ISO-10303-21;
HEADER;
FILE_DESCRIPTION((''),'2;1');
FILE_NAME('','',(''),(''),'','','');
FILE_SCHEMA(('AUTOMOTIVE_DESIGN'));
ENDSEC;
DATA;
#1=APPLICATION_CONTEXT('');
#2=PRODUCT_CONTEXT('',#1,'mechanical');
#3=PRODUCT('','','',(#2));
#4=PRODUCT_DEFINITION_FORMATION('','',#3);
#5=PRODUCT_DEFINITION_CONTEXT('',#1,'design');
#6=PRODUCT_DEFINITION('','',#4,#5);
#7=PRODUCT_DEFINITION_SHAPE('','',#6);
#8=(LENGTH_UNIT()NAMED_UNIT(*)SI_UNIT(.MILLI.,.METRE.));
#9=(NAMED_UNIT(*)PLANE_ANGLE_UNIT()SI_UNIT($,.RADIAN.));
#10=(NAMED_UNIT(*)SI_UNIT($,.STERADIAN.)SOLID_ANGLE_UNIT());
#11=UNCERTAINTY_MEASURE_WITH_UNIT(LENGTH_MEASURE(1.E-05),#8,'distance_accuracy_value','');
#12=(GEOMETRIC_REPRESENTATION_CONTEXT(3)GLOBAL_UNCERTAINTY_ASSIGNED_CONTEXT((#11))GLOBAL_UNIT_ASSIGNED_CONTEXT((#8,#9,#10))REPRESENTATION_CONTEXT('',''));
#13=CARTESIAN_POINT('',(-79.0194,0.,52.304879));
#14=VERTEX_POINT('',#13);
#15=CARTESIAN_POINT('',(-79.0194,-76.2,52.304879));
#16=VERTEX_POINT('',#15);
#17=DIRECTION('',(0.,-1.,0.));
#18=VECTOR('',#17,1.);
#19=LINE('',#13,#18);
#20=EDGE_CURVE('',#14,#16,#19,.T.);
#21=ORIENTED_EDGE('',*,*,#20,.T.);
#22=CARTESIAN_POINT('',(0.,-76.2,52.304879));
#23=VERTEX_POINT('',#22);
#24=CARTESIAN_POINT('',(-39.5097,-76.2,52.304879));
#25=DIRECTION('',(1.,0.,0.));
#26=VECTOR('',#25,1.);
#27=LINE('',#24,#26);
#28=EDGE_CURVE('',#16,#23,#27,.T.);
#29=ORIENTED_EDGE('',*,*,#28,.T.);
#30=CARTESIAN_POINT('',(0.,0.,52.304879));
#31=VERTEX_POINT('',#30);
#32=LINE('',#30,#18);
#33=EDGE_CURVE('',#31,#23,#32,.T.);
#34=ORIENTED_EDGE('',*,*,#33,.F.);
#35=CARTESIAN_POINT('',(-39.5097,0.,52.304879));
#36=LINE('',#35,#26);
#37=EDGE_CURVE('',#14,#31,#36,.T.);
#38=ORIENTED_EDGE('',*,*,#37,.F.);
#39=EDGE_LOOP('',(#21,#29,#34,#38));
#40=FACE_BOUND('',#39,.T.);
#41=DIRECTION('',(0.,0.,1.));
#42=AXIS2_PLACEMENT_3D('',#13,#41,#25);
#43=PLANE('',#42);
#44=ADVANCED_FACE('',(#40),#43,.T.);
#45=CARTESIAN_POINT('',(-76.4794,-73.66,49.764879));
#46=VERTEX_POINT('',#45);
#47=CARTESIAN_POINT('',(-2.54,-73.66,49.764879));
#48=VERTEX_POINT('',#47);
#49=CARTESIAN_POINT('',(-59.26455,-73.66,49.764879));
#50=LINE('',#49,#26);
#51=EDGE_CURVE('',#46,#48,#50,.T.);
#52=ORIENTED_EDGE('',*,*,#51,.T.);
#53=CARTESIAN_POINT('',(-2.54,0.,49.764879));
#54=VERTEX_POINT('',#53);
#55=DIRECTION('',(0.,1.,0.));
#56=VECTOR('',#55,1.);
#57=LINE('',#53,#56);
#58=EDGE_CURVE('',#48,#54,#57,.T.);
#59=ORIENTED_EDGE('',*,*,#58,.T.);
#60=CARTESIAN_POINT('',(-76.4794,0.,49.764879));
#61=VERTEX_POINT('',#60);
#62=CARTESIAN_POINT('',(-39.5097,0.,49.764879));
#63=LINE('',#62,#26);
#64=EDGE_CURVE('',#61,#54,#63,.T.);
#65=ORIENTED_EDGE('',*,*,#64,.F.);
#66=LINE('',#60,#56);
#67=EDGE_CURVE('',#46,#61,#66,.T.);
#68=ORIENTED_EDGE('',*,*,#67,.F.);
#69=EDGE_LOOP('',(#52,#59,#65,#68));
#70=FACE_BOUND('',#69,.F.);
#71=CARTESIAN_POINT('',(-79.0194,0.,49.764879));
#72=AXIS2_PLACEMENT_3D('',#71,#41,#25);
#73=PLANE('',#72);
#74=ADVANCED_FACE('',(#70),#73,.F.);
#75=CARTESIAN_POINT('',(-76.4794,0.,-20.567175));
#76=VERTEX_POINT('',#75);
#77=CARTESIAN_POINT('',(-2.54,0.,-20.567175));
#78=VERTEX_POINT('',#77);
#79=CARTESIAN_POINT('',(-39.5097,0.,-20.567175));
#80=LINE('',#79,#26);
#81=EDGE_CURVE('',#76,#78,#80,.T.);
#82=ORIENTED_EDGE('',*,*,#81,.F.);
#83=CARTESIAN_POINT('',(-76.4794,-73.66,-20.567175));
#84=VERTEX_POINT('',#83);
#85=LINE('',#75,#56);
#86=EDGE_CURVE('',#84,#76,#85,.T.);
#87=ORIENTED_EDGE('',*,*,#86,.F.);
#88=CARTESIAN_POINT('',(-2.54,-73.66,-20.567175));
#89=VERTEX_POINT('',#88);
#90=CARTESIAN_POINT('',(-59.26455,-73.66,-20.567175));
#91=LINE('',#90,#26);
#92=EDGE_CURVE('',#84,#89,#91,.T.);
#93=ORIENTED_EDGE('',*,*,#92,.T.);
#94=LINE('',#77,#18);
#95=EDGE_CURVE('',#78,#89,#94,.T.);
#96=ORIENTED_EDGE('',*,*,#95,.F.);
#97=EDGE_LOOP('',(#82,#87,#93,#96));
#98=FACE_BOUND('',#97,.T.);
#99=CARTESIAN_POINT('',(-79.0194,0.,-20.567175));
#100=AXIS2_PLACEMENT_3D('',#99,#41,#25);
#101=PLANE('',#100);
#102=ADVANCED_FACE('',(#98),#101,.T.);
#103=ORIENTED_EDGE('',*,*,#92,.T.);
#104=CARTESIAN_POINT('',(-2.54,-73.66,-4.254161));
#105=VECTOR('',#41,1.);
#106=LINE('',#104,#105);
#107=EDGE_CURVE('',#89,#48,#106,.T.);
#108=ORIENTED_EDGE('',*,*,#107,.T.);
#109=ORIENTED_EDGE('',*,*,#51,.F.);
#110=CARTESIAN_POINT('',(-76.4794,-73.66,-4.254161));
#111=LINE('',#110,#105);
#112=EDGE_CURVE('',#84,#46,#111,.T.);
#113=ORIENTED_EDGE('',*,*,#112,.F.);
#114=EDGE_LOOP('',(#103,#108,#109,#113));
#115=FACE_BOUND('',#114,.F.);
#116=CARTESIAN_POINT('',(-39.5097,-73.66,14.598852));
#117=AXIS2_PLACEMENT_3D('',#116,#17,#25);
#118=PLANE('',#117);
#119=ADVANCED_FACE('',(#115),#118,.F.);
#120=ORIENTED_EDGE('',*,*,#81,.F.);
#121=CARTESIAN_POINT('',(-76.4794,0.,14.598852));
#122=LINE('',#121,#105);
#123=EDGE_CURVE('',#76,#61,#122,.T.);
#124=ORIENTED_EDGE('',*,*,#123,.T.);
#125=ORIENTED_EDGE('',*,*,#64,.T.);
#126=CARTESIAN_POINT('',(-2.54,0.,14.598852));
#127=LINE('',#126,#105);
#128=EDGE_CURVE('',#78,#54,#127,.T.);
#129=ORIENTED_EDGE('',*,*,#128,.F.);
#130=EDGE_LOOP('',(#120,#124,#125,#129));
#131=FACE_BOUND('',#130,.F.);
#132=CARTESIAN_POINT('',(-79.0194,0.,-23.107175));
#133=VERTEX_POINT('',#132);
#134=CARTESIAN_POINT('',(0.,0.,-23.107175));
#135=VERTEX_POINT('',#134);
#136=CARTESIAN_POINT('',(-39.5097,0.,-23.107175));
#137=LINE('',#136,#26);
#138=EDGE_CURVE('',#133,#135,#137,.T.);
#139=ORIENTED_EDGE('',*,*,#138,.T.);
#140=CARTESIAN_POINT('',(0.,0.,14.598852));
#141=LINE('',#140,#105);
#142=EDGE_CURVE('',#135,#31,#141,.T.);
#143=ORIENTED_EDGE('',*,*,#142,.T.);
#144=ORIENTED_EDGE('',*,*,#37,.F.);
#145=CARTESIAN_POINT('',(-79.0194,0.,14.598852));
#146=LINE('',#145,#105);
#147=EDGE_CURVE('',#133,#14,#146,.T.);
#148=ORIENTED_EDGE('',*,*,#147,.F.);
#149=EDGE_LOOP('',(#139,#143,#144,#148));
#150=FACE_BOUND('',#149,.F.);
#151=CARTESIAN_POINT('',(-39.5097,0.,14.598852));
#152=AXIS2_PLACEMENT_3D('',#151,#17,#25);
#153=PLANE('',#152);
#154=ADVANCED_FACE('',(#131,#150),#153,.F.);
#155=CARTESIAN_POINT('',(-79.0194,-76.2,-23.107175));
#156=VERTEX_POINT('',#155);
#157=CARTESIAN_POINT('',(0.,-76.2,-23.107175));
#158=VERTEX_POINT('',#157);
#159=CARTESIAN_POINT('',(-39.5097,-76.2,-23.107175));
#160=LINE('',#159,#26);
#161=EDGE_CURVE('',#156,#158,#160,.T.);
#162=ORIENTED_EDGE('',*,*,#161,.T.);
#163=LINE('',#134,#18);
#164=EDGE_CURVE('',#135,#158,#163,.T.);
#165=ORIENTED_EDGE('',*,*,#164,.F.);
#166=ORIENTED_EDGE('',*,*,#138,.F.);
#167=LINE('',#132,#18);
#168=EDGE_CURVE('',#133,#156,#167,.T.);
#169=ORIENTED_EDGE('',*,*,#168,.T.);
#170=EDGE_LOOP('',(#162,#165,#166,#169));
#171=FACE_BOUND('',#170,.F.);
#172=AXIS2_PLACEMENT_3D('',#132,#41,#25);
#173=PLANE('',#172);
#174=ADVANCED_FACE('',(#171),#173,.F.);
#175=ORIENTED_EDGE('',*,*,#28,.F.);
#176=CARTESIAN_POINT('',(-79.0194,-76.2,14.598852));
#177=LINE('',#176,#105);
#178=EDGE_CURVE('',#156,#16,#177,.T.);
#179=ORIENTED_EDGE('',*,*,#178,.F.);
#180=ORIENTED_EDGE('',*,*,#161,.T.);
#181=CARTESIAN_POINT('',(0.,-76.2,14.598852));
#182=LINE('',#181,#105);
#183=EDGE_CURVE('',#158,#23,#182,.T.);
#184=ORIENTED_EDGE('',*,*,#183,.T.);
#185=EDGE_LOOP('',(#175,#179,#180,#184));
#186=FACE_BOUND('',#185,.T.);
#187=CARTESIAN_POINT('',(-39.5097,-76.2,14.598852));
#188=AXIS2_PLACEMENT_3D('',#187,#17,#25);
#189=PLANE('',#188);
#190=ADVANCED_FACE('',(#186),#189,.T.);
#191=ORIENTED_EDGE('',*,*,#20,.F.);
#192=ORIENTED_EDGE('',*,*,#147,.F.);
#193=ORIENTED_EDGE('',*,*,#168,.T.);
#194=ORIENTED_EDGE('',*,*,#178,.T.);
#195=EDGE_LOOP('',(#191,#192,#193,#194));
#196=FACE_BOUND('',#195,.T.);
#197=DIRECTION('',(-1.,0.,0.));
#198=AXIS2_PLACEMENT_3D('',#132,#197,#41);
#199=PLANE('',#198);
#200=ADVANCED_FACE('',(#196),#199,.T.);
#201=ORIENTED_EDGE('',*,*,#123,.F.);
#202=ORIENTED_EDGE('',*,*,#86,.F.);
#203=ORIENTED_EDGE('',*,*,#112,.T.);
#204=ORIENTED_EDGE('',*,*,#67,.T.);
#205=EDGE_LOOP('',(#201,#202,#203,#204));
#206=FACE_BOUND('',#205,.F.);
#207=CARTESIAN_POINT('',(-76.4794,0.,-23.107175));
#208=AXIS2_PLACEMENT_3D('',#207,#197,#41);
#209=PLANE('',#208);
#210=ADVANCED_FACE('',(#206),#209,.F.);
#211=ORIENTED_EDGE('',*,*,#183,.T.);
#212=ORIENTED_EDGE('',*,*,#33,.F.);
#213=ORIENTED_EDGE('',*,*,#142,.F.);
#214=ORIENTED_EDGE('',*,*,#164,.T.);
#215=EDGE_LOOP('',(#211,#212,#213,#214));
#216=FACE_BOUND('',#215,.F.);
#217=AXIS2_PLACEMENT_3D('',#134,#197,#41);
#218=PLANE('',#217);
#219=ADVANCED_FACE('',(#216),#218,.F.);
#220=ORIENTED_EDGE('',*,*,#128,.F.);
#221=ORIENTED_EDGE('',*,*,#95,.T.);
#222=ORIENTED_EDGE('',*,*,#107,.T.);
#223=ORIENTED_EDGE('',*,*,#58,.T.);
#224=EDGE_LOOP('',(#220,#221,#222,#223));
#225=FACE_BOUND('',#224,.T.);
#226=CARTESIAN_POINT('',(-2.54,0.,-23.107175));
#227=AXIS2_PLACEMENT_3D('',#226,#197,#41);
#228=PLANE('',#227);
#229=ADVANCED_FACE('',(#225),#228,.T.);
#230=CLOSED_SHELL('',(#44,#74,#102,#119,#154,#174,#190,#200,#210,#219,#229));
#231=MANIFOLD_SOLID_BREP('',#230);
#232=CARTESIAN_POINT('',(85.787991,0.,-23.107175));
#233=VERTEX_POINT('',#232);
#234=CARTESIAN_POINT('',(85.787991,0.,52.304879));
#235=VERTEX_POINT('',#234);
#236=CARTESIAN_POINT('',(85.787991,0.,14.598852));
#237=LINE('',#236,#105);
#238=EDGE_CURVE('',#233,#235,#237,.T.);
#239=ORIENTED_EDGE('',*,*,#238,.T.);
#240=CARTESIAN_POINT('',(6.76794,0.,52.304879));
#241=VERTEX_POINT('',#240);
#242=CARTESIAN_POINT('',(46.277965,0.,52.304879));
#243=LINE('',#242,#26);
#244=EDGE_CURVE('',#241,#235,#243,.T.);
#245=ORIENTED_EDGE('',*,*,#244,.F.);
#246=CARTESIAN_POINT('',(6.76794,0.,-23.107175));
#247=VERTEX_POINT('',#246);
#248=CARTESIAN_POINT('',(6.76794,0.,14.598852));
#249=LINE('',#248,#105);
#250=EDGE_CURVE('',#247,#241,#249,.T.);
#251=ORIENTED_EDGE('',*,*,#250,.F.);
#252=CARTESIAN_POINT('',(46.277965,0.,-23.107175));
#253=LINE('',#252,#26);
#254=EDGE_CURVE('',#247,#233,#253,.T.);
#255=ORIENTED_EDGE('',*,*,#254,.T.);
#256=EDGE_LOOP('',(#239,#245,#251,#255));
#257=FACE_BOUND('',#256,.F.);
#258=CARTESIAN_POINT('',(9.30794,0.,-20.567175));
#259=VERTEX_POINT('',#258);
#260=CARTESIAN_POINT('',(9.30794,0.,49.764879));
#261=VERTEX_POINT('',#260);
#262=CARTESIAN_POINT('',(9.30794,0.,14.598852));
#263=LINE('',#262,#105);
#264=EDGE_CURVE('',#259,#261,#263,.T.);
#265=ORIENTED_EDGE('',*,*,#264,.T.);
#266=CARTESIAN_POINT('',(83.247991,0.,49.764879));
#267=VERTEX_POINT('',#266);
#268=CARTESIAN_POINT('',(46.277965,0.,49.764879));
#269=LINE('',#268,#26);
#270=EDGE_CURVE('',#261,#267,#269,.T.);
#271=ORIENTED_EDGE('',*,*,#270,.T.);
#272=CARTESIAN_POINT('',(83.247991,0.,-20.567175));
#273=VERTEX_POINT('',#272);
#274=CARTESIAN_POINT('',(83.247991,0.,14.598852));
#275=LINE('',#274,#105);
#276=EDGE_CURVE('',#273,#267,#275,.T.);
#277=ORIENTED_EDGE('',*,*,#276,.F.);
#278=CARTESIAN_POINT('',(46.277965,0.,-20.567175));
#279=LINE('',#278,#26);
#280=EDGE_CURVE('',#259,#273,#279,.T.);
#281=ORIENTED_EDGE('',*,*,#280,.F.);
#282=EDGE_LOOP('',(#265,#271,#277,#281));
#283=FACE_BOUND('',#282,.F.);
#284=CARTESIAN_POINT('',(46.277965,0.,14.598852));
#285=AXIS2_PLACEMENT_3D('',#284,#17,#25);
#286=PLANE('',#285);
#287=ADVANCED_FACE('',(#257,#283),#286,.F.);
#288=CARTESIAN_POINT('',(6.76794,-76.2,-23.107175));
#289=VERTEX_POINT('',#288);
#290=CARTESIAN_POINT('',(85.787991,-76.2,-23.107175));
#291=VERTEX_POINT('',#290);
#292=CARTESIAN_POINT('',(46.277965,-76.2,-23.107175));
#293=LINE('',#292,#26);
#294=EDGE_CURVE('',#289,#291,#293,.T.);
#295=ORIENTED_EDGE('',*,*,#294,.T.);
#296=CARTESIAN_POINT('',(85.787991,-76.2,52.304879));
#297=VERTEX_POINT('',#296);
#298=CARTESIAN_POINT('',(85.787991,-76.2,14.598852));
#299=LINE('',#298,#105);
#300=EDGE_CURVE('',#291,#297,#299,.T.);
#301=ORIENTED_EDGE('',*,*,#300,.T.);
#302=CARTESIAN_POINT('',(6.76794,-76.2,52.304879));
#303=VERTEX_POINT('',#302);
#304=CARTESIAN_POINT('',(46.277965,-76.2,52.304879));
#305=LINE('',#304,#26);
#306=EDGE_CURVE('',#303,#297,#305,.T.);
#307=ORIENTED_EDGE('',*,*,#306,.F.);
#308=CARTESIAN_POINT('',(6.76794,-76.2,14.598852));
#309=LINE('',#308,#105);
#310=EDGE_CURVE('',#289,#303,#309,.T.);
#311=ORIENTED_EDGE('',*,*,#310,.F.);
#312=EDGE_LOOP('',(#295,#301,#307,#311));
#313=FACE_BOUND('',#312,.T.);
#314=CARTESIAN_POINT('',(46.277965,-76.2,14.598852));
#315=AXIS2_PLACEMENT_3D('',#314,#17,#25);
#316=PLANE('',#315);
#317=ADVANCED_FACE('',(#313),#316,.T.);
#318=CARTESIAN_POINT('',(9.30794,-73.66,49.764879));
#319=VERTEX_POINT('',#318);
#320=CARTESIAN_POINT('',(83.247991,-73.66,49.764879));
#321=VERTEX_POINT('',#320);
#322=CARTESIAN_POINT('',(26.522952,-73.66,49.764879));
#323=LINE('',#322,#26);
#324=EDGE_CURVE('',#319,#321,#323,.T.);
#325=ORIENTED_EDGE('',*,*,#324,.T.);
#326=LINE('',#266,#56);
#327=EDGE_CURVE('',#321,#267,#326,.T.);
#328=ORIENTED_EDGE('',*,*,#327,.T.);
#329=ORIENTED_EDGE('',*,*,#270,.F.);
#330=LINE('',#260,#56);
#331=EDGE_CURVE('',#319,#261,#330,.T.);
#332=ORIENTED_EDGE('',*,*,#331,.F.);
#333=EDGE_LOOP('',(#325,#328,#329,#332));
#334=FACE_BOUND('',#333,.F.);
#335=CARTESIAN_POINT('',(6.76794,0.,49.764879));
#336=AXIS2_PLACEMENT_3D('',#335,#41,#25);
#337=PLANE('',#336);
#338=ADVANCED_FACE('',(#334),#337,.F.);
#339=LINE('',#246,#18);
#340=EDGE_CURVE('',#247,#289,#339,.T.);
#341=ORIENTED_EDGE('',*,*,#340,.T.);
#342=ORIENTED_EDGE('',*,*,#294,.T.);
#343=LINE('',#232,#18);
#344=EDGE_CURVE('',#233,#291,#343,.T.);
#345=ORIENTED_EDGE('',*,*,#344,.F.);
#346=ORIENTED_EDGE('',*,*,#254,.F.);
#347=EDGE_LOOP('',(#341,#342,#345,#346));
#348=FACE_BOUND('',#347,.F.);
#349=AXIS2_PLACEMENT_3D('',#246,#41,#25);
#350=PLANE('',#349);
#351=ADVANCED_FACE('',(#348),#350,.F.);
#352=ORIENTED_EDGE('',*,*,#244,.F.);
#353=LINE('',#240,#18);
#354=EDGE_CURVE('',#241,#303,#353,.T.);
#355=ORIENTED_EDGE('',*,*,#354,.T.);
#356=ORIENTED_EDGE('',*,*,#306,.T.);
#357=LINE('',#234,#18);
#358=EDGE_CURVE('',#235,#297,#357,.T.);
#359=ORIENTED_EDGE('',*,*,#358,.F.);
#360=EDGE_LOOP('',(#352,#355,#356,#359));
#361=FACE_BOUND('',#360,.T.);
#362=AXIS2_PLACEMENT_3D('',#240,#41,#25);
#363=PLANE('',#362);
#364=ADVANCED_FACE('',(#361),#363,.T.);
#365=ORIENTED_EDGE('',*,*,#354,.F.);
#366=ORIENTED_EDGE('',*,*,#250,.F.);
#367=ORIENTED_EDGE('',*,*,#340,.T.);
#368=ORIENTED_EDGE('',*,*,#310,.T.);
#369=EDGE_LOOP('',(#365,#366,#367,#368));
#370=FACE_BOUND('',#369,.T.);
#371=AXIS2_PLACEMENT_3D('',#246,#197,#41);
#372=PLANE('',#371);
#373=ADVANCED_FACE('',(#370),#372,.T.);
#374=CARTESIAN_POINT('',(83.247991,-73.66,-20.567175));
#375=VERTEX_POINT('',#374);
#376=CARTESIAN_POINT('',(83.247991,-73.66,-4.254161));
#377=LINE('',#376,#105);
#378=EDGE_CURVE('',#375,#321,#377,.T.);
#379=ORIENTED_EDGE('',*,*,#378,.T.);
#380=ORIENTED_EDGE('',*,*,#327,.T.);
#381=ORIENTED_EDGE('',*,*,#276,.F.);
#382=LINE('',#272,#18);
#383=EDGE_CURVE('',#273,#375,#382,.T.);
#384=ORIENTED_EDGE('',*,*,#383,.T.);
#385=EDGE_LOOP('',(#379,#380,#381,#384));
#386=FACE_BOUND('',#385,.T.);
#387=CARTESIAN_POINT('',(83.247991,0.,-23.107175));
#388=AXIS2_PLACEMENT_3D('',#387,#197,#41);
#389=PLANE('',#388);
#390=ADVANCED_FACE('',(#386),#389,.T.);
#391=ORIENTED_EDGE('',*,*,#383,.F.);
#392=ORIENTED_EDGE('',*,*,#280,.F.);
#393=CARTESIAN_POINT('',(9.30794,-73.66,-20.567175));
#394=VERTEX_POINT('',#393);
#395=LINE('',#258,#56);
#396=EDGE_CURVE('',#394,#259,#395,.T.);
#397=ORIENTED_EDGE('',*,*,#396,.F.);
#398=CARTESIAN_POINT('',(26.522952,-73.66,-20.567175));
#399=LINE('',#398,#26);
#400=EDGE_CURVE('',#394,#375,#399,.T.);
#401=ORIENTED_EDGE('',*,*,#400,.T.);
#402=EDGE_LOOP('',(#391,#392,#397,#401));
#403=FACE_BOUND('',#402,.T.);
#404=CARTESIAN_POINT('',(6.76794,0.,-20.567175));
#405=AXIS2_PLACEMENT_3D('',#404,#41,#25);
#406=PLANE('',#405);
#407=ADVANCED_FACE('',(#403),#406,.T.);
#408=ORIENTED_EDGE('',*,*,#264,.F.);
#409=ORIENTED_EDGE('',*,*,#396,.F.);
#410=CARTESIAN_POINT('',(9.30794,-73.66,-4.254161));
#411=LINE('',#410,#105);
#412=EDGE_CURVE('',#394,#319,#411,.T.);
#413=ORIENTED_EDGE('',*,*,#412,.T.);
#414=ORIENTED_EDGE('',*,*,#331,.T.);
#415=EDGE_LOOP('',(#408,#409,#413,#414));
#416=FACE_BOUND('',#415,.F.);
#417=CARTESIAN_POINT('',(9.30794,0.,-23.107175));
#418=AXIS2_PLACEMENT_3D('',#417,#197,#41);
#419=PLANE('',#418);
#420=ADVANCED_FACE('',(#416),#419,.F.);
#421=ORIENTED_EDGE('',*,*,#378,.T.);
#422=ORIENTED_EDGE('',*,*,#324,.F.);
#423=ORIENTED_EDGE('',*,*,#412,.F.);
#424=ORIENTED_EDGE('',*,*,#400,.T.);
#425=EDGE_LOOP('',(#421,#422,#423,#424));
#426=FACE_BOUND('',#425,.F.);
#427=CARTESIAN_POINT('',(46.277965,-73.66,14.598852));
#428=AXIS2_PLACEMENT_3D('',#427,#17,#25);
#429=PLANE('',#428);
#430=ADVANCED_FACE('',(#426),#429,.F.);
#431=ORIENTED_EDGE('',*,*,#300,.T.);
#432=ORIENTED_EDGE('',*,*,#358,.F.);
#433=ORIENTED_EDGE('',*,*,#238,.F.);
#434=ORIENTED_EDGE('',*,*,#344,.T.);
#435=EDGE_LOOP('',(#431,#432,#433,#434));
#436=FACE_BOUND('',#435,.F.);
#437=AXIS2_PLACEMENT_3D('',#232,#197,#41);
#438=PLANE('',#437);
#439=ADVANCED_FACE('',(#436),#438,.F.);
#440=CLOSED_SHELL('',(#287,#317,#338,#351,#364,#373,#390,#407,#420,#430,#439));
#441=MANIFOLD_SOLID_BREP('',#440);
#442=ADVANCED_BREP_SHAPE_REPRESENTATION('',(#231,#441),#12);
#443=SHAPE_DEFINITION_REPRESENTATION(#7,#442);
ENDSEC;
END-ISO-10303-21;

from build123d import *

# Parameters (mm, degrees)
F0_W     = 79.0200512856
F0_H     = 75.4120536149
F1_DEPTH = 76.2
F0_W_2   = 79.0194
F2_T     = -2.54
F3_T     = -2.54


with BuildPart() as f1:
    # F0 (on Front) → F1 (new body)
    with BuildSketch(Plane.XZ):
        with Locations((46.2779651723, 14.5988520235)):
            Rectangle(F0_W, F0_H)
    extrude(amount=F1_DEPTH)

    # F2
    f2_openings = [f1.faces().sort_by_distance(p)[0] for p in [
        (46.277965, 0, 14.598852),
    ]]
    offset(amount=F2_T, openings=f2_openings)


with BuildPart() as f1b:
    # F0 (on Front) → F1, piece 2 (new body)
    with BuildSketch(Plane.XZ):
        with Locations((-39.5097, 14.5988520235)):
            Rectangle(F0_W_2, F0_H)
    extrude(amount=F1_DEPTH)

    # F3
    f3_openings = [f1b.faces().sort_by_distance(p)[0] for p in [
        (-39.5097, 0, 14.598852),
    ]]
    offset(amount=F3_T, openings=f3_openings)


solid = Compound([f1.part, f1b.part])
